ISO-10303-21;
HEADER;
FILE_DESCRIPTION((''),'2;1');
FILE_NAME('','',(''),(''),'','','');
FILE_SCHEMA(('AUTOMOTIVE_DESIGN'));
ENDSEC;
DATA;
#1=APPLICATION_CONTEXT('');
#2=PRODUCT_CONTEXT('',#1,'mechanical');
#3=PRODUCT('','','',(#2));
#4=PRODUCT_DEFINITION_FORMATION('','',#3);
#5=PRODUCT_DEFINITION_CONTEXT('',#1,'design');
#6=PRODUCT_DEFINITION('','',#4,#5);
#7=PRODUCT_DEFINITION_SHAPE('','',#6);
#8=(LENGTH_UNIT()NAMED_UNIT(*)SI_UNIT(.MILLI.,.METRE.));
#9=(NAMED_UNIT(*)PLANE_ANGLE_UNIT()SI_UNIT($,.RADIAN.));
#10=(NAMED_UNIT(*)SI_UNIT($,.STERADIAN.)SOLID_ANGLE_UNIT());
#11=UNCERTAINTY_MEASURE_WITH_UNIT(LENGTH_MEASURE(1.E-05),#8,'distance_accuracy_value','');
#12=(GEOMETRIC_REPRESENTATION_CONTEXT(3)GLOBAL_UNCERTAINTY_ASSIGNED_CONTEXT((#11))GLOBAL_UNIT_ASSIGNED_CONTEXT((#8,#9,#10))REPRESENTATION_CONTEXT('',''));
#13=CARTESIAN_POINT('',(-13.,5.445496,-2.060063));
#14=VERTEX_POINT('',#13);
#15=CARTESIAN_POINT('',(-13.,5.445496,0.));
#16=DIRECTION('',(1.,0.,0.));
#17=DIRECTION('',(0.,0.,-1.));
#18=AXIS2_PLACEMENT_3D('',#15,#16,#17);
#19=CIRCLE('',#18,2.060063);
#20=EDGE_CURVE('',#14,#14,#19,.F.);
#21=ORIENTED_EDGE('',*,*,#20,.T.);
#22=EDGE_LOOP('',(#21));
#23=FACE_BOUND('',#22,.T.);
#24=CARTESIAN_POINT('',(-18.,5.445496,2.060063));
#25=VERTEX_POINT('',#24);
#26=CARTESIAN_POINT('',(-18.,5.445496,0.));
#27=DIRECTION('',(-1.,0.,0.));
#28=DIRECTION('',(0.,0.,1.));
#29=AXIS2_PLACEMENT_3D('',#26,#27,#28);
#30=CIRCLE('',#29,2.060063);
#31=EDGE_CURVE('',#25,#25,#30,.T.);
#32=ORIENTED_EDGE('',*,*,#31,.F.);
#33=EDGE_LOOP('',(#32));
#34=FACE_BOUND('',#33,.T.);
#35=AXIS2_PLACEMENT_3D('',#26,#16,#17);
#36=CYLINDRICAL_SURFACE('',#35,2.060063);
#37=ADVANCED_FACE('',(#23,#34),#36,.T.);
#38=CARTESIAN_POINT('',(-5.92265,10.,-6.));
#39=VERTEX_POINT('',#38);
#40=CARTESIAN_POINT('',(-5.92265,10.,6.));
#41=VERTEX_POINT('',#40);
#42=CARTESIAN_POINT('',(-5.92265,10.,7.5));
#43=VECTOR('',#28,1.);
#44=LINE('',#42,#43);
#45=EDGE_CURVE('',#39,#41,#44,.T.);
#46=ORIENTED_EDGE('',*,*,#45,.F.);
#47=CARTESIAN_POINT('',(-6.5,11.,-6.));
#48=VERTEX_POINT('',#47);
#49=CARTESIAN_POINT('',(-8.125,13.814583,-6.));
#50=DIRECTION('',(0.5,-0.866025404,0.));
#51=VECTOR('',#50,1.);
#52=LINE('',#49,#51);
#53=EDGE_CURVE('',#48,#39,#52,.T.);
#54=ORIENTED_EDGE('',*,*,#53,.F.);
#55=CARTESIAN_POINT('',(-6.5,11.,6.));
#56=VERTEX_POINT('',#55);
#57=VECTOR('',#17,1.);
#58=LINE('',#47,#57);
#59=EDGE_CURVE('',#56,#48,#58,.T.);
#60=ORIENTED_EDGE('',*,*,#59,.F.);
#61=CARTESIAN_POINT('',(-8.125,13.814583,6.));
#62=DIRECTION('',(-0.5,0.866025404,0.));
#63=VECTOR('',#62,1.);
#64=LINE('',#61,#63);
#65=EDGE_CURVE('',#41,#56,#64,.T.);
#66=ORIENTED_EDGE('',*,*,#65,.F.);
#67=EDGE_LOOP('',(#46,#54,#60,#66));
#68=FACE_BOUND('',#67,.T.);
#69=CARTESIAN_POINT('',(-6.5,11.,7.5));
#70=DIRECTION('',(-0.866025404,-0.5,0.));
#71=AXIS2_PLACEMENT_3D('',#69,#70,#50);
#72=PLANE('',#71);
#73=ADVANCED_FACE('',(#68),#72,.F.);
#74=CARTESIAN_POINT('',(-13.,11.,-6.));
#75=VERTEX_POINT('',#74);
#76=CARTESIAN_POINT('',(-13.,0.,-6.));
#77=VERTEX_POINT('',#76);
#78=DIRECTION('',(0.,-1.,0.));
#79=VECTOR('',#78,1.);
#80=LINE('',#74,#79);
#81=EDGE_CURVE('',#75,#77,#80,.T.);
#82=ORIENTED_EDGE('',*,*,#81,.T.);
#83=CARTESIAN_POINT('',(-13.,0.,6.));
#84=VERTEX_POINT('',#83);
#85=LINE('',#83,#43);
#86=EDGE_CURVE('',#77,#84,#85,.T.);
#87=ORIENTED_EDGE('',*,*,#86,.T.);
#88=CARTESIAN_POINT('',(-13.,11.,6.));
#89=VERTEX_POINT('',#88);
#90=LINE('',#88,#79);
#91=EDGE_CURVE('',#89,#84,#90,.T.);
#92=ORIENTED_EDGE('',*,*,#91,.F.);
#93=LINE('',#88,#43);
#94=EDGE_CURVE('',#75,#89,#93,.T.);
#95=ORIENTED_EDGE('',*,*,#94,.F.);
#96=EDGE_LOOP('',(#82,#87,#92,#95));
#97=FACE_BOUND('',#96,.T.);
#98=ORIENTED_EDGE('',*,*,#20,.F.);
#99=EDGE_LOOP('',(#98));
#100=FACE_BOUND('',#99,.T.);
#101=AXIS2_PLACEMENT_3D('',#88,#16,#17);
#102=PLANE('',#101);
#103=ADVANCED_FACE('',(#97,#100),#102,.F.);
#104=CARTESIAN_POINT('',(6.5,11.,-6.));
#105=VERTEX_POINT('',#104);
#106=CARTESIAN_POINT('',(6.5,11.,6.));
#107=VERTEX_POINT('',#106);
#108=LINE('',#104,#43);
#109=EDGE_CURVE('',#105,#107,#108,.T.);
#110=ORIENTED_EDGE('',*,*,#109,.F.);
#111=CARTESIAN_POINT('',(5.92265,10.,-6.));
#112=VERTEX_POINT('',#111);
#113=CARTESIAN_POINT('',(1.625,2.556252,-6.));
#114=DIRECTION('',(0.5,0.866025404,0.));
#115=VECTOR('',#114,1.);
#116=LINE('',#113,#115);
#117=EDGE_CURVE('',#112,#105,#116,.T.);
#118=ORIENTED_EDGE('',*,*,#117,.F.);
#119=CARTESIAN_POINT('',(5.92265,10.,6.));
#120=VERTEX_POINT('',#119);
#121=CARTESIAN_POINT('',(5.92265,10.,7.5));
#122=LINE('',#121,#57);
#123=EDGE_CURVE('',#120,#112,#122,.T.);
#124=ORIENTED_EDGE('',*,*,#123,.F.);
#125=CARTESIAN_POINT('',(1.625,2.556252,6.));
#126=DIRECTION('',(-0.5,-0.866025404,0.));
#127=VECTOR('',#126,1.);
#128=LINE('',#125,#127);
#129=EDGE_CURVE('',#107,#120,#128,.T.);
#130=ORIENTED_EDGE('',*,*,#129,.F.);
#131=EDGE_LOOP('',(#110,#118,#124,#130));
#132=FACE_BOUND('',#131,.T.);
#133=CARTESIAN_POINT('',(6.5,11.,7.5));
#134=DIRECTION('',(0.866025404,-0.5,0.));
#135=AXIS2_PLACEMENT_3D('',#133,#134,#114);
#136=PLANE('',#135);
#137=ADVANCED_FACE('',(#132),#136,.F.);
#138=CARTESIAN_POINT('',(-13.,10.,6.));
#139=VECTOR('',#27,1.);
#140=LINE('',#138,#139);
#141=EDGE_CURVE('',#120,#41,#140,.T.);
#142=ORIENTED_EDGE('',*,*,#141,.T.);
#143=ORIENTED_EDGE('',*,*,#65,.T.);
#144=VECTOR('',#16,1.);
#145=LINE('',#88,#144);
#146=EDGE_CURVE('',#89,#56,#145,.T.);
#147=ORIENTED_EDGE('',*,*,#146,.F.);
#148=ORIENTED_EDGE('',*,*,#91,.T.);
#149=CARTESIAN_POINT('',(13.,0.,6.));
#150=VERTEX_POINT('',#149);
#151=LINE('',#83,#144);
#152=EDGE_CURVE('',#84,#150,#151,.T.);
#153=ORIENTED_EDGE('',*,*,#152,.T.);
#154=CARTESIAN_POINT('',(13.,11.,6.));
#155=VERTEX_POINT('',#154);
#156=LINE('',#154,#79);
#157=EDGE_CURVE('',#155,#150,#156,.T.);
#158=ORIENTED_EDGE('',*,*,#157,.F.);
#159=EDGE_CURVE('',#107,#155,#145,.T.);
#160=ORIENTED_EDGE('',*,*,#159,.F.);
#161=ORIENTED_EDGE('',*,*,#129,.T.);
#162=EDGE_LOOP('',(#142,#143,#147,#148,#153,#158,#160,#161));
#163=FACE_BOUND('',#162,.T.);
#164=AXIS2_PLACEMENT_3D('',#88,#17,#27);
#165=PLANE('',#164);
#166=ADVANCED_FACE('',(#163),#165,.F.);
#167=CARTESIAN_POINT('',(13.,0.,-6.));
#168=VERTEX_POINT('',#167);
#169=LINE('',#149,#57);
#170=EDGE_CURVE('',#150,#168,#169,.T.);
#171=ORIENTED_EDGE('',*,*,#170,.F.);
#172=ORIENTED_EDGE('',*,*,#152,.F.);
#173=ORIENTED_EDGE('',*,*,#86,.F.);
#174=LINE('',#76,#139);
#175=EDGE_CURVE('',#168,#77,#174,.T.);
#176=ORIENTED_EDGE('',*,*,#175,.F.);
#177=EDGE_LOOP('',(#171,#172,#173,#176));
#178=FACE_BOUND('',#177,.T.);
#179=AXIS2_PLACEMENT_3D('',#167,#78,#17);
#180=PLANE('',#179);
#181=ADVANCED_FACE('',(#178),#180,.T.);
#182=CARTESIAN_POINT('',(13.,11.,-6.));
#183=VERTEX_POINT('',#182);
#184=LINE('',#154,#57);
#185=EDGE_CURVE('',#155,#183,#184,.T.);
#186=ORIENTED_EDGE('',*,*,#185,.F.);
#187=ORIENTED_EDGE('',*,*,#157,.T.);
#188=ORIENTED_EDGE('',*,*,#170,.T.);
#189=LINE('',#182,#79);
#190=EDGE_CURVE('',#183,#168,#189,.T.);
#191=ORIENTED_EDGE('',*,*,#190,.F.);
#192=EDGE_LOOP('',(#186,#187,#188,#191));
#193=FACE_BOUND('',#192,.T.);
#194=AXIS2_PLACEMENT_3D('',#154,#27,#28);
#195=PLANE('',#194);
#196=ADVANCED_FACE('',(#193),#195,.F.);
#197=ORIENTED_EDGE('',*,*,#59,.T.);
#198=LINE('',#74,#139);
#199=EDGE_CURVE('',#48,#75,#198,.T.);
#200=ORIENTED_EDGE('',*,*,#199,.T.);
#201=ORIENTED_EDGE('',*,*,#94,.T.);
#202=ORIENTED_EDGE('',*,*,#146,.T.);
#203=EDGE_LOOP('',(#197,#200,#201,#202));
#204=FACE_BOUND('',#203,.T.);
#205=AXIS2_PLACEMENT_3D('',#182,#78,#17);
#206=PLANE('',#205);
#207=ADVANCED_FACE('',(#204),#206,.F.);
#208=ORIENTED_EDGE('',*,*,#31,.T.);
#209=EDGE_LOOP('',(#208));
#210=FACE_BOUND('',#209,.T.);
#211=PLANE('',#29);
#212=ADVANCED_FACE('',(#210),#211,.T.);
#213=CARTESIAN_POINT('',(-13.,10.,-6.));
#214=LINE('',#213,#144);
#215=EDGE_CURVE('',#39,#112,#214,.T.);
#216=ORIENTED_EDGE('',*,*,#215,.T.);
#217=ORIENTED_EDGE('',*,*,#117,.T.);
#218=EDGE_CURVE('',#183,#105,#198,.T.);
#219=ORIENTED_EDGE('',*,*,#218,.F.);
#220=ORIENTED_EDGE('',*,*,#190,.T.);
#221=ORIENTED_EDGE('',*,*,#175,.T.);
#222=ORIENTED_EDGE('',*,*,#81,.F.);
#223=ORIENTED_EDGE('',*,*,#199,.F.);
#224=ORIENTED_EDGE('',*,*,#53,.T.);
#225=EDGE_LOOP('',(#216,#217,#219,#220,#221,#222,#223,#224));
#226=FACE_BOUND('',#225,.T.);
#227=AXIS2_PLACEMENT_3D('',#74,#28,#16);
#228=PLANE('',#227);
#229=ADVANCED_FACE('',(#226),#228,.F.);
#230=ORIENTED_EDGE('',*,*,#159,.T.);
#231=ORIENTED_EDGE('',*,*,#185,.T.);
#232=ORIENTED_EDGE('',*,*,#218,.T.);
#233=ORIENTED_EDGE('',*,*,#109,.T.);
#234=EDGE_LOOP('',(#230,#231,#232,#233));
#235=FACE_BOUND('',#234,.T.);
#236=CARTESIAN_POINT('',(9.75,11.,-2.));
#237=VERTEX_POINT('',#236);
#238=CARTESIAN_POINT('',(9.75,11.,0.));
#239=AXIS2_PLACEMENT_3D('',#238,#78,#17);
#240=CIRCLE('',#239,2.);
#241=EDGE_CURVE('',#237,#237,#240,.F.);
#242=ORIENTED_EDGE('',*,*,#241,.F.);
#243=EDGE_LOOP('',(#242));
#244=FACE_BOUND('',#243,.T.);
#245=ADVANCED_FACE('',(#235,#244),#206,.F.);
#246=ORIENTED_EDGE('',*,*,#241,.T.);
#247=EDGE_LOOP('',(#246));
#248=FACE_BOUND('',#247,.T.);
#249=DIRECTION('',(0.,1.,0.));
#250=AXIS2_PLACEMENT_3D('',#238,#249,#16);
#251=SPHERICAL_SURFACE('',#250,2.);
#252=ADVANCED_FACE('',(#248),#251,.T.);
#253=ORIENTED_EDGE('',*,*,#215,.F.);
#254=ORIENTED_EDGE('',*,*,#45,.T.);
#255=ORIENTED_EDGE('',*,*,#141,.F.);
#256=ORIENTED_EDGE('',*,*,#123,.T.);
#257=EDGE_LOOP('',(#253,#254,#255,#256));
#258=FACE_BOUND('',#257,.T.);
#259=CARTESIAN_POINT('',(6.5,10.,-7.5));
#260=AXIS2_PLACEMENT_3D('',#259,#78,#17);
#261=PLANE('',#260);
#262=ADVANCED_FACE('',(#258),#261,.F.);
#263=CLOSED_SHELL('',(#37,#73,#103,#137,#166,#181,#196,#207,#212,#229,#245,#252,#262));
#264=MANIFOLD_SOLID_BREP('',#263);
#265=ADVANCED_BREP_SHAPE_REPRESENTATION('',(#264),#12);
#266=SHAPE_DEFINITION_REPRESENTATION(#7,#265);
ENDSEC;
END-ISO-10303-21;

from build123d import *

# Parameters (mm, degrees)
SKETCH_1_W          = 26
SKETCH_1_H          = 12
EXTRUDE_1_DEPTH     = 11
SKETCH_2_W          = 13
SKETCH_2_H          = 15
CUT_EXTRUDE_2_DEPTH = 1
CUT_EXTRUDE_2_DRAFT = -30
SKETCH_4_R          = 2.060062992
EXTRUDE_3_DEPTH     = 5


with BuildPart() as part:
    # 草图1 → 拉伸1 (new body)
    with BuildSketch(Plane(origin=(0, 0, 0), x_dir=(1, 0, 0), z_dir=(0, 1, 0))):
        Rectangle(SKETCH_1_W, SKETCH_1_H)
    extrude(amount=EXTRUDE_1_DEPTH)


with BuildPart() as cut_extrude_2_tool:
    # 草图2 → 拉伸2 (with draft: the straight prism first)
    with BuildSketch(Plane(origin=(0, 11, 0), x_dir=(1, 0, 0), z_dir=(0, 1, 0))):
        Rectangle(SKETCH_2_W, SKETCH_2_H)
    extrude(amount=-CUT_EXTRUDE_2_DEPTH)
    # 拉伸2: the draft: its side faces are tilted about the plane it starts from
    cut_extrude_2_sides = [cut_extrude_2_tool.faces().sort_by_distance(p)[0] for p in [
        (0, 10.5, 7.5),
        (6.5, 10.5, 0),
        (0, 10.5, -7.5),
        (-6.5, 10.5, 0),
    ]]
    draft(cut_extrude_2_sides, Plane(origin=(0, 11, 0), x_dir=(1, 0, 0), z_dir=(0, 1, 0)), CUT_EXTRUDE_2_DRAFT)


with BuildPart() as part_1:
    add(part.part)

    # 拉伸2: cut by cut_extrude_2_tool
    add(cut_extrude_2_tool.part, mode=Mode.SUBTRACT)

    # 草图3 → 旋转1 (revolve)
    with BuildSketch(Plane.XY):
        with BuildLine():
            Line((9.75, 13), (9.75, 9))
            ThreePointArc((9.75, 9), (11.75, 11), (9.75, 13))
        make_face()
    revolve(axis=Axis((9.75, 13, 0), (0, -1, 0)))

    # 草图4 → 拉伸3 (add)
    with BuildSketch(Plane.ZY.offset(13)):
        with Locations(Location((0, 5.445496221, 0), (0, 0, 180))):
            Circle(SKETCH_4_R)
    extrude(amount=EXTRUDE_3_DEPTH)


solid = part_1.part
